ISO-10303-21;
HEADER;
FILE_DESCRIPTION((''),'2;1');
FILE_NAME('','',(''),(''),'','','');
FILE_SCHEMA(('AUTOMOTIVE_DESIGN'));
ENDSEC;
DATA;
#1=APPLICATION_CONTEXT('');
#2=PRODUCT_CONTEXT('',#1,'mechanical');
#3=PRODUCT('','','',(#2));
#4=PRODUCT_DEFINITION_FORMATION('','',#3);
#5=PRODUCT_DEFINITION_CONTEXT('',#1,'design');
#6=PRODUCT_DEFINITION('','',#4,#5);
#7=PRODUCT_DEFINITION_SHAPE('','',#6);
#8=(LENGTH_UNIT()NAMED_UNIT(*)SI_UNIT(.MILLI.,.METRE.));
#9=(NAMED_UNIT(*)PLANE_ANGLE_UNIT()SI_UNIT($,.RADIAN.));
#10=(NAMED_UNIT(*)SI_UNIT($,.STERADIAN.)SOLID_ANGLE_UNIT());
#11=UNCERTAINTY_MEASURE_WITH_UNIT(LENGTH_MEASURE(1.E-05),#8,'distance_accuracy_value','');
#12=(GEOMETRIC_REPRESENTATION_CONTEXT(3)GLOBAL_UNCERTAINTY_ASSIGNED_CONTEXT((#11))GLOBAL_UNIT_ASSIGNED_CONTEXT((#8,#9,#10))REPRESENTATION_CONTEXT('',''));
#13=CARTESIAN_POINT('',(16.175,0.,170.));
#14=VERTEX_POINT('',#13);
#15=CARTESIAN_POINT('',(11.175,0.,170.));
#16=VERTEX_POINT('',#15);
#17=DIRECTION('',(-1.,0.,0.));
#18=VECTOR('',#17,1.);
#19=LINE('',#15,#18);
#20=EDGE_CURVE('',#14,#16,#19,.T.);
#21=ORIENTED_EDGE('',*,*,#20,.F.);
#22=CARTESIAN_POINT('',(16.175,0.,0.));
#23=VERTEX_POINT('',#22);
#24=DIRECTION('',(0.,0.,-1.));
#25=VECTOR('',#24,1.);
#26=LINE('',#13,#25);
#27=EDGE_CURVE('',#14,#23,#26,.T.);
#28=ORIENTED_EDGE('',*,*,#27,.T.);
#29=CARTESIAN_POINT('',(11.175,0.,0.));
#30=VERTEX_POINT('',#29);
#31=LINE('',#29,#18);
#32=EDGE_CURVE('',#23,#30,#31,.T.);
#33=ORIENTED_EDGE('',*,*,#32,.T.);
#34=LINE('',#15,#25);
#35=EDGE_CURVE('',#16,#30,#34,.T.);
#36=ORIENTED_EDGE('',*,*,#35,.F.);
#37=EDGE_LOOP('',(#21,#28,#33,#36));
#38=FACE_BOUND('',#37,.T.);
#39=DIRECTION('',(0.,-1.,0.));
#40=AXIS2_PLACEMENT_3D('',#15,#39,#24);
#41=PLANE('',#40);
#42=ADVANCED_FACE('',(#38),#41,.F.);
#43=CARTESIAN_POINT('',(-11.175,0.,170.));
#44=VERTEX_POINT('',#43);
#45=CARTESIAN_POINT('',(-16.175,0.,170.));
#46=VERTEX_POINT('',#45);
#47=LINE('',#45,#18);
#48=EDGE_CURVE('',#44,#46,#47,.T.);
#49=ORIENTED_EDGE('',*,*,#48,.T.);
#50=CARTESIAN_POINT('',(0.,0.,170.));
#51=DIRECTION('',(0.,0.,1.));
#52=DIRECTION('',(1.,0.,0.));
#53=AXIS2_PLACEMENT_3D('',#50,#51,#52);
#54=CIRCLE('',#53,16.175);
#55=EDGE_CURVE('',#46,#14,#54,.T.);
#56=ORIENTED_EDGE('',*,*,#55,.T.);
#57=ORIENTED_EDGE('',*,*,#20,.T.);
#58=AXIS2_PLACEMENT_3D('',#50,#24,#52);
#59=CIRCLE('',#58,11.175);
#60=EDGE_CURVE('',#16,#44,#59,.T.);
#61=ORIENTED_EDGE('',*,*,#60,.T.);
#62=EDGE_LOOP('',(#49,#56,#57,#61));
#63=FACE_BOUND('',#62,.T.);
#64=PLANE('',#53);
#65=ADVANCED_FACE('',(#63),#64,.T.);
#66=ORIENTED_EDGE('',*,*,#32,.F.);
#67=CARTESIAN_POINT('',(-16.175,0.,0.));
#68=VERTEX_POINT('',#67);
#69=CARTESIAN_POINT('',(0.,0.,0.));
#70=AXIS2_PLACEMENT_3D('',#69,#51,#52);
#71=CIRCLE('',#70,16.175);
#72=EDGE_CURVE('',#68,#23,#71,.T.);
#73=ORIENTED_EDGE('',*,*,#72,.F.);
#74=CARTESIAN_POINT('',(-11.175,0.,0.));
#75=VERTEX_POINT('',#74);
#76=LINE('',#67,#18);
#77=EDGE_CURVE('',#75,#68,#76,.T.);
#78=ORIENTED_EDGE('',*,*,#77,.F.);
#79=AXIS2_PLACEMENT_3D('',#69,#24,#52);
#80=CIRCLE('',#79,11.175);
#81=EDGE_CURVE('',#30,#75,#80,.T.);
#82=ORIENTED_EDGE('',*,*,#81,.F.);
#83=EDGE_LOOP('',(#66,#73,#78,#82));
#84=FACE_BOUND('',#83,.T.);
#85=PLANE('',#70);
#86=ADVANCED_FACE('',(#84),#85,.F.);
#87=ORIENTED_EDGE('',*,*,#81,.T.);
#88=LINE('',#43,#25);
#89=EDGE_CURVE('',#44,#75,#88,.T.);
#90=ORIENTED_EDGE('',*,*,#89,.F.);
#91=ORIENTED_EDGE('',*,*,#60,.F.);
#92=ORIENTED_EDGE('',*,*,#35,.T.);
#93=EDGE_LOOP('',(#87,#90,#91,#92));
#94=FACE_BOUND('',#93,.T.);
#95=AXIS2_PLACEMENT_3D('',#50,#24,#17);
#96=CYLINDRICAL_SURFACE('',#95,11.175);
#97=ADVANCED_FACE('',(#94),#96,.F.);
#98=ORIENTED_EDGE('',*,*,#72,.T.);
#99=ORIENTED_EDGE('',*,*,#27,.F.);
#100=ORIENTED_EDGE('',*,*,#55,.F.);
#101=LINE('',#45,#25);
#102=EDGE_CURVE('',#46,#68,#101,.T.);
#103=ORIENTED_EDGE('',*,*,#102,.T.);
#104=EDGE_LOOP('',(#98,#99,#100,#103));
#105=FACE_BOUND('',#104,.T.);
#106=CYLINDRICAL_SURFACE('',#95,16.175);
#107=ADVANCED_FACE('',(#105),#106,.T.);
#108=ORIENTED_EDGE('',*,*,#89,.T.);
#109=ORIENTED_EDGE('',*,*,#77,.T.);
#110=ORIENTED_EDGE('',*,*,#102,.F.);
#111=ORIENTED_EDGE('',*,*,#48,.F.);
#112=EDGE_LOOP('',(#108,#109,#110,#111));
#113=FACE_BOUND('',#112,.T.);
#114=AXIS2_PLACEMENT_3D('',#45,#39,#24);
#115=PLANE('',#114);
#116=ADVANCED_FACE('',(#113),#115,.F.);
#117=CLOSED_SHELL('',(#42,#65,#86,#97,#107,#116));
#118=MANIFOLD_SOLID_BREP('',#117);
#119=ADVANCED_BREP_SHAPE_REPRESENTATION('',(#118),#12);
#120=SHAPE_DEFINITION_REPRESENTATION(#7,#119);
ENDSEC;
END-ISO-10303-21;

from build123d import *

# Parameters (mm, degrees)
BOSS_EXTRUDE1_DEPTH = 170


with BuildPart() as part:
    # Sketch1 → Boss-Extrude1 (new body)
    with BuildSketch(Plane.XY):
        with BuildLine():
            Line((-16.175, 0), (-11.175, 0))
            ThreePointArc((-11.175, 0), (0, -11.175), (11.175, 0))
            Line((11.175, 0), (16.175, 0))
            ThreePointArc((16.175, 0), (0, -16.175), (-16.175, 0))
        make_face()
    extrude(amount=BOSS_EXTRUDE1_DEPTH)


solid = part.part
